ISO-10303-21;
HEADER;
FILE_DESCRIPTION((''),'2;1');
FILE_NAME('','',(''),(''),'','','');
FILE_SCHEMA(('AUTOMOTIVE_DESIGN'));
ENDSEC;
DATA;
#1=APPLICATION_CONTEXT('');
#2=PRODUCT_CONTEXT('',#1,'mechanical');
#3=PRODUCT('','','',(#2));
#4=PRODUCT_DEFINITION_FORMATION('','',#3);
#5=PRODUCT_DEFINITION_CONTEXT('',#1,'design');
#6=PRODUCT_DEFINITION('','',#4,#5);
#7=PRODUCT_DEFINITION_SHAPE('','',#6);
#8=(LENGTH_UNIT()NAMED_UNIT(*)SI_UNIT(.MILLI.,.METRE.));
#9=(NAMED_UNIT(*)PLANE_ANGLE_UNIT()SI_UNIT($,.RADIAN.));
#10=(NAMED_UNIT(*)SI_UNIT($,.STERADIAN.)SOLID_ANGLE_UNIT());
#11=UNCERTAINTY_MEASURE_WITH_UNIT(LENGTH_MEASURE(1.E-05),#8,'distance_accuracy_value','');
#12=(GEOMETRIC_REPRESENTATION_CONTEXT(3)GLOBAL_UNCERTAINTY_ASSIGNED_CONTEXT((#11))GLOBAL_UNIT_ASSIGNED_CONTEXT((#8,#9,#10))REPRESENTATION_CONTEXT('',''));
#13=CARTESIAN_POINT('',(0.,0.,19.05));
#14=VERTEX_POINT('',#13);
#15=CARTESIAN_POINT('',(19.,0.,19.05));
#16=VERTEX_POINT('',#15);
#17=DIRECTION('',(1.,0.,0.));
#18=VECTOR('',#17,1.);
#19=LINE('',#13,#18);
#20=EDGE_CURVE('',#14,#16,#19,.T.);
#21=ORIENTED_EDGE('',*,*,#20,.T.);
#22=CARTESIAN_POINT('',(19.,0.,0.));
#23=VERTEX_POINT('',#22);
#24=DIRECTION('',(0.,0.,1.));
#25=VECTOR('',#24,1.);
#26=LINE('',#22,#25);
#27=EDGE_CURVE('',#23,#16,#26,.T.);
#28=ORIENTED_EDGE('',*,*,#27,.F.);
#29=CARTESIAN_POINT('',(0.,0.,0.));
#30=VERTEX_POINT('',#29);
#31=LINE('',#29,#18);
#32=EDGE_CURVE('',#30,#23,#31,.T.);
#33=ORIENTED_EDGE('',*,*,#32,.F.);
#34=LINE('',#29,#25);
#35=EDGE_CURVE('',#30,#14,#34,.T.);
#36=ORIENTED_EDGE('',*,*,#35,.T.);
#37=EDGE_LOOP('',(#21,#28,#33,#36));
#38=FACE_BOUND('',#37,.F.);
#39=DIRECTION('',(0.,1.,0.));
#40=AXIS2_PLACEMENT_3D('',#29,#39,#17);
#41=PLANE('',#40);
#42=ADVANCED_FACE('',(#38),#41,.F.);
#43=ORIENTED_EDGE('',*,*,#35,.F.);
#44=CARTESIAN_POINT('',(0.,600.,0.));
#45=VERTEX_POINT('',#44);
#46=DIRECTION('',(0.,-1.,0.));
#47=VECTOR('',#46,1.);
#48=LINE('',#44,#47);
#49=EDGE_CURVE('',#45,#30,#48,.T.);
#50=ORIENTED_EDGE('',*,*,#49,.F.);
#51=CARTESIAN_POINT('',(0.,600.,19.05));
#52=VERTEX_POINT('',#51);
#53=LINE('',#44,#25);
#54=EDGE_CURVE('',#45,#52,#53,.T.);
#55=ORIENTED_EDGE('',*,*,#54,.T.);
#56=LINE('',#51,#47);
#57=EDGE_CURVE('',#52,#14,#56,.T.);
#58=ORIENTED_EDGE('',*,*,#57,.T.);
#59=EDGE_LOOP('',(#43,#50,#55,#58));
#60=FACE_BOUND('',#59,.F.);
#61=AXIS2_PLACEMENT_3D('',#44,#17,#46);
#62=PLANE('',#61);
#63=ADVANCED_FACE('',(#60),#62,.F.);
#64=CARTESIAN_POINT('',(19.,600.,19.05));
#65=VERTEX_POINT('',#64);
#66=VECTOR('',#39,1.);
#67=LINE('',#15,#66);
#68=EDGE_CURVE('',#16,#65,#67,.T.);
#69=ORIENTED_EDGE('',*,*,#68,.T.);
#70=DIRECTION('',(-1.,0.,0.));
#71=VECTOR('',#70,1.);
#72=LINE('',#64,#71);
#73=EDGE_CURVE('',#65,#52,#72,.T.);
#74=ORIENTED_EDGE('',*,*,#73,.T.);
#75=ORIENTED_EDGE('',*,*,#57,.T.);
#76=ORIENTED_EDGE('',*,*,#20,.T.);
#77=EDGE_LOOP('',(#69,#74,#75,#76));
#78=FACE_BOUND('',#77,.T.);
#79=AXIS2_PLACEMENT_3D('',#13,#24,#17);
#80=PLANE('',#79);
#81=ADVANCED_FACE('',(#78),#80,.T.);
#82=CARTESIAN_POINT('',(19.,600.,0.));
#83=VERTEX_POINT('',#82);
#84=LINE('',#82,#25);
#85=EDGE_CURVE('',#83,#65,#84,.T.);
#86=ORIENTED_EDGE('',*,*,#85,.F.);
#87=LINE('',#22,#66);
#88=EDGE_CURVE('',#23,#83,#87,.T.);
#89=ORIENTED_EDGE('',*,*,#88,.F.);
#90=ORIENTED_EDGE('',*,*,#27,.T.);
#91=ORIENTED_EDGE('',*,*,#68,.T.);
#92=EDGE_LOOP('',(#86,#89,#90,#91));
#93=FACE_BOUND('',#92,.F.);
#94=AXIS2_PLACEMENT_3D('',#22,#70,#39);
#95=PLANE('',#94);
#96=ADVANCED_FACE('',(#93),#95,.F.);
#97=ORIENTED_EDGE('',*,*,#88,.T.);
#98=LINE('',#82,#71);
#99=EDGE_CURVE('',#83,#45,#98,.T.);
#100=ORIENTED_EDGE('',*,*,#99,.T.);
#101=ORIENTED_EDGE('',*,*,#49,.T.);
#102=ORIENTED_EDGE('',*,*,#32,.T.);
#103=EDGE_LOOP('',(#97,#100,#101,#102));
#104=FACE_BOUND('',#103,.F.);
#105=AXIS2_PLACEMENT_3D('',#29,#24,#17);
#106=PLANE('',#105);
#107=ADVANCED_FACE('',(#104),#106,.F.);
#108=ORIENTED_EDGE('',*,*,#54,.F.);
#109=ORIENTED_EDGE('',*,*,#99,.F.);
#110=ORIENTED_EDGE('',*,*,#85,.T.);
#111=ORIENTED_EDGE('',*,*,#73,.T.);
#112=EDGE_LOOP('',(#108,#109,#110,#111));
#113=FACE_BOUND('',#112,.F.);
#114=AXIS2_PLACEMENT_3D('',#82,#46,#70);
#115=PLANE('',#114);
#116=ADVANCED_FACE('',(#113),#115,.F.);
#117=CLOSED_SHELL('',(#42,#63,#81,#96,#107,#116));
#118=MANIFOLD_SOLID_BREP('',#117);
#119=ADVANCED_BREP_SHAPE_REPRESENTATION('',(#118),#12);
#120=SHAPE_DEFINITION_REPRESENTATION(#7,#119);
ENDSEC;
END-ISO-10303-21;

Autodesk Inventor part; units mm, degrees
ref_plane "YZ Plane" through (0, 0, 0) normal (1, 0, 0) x (0, 1, 0)
ref_plane "XZ Plane" through (0, 0, 0) normal (0, 1, 0) x (-1, 0, 0)
ref_plane "XY Plane" through (0, 0, 0) normal (0, 0, 1) x (1, 0, 0)
sketch "Sketch1" plane through (0, 0, 0) normal (0, 0, 1) x (1, 0, 0)
  line L0 (0, 0) -> (19, 0)
  line L1 (19, 0) -> (19, 600)
  line L2 (19, 600) -> (0, 600)
  line L3 (0, 600) -> (0, 0)
  dimension "d0" = 19
  dimension "d1" = 600
extrude "Extrusion1" add sketch "Sketch1" along normal blind 19.05
properties part number "C007" material "Wood (Birch)"
